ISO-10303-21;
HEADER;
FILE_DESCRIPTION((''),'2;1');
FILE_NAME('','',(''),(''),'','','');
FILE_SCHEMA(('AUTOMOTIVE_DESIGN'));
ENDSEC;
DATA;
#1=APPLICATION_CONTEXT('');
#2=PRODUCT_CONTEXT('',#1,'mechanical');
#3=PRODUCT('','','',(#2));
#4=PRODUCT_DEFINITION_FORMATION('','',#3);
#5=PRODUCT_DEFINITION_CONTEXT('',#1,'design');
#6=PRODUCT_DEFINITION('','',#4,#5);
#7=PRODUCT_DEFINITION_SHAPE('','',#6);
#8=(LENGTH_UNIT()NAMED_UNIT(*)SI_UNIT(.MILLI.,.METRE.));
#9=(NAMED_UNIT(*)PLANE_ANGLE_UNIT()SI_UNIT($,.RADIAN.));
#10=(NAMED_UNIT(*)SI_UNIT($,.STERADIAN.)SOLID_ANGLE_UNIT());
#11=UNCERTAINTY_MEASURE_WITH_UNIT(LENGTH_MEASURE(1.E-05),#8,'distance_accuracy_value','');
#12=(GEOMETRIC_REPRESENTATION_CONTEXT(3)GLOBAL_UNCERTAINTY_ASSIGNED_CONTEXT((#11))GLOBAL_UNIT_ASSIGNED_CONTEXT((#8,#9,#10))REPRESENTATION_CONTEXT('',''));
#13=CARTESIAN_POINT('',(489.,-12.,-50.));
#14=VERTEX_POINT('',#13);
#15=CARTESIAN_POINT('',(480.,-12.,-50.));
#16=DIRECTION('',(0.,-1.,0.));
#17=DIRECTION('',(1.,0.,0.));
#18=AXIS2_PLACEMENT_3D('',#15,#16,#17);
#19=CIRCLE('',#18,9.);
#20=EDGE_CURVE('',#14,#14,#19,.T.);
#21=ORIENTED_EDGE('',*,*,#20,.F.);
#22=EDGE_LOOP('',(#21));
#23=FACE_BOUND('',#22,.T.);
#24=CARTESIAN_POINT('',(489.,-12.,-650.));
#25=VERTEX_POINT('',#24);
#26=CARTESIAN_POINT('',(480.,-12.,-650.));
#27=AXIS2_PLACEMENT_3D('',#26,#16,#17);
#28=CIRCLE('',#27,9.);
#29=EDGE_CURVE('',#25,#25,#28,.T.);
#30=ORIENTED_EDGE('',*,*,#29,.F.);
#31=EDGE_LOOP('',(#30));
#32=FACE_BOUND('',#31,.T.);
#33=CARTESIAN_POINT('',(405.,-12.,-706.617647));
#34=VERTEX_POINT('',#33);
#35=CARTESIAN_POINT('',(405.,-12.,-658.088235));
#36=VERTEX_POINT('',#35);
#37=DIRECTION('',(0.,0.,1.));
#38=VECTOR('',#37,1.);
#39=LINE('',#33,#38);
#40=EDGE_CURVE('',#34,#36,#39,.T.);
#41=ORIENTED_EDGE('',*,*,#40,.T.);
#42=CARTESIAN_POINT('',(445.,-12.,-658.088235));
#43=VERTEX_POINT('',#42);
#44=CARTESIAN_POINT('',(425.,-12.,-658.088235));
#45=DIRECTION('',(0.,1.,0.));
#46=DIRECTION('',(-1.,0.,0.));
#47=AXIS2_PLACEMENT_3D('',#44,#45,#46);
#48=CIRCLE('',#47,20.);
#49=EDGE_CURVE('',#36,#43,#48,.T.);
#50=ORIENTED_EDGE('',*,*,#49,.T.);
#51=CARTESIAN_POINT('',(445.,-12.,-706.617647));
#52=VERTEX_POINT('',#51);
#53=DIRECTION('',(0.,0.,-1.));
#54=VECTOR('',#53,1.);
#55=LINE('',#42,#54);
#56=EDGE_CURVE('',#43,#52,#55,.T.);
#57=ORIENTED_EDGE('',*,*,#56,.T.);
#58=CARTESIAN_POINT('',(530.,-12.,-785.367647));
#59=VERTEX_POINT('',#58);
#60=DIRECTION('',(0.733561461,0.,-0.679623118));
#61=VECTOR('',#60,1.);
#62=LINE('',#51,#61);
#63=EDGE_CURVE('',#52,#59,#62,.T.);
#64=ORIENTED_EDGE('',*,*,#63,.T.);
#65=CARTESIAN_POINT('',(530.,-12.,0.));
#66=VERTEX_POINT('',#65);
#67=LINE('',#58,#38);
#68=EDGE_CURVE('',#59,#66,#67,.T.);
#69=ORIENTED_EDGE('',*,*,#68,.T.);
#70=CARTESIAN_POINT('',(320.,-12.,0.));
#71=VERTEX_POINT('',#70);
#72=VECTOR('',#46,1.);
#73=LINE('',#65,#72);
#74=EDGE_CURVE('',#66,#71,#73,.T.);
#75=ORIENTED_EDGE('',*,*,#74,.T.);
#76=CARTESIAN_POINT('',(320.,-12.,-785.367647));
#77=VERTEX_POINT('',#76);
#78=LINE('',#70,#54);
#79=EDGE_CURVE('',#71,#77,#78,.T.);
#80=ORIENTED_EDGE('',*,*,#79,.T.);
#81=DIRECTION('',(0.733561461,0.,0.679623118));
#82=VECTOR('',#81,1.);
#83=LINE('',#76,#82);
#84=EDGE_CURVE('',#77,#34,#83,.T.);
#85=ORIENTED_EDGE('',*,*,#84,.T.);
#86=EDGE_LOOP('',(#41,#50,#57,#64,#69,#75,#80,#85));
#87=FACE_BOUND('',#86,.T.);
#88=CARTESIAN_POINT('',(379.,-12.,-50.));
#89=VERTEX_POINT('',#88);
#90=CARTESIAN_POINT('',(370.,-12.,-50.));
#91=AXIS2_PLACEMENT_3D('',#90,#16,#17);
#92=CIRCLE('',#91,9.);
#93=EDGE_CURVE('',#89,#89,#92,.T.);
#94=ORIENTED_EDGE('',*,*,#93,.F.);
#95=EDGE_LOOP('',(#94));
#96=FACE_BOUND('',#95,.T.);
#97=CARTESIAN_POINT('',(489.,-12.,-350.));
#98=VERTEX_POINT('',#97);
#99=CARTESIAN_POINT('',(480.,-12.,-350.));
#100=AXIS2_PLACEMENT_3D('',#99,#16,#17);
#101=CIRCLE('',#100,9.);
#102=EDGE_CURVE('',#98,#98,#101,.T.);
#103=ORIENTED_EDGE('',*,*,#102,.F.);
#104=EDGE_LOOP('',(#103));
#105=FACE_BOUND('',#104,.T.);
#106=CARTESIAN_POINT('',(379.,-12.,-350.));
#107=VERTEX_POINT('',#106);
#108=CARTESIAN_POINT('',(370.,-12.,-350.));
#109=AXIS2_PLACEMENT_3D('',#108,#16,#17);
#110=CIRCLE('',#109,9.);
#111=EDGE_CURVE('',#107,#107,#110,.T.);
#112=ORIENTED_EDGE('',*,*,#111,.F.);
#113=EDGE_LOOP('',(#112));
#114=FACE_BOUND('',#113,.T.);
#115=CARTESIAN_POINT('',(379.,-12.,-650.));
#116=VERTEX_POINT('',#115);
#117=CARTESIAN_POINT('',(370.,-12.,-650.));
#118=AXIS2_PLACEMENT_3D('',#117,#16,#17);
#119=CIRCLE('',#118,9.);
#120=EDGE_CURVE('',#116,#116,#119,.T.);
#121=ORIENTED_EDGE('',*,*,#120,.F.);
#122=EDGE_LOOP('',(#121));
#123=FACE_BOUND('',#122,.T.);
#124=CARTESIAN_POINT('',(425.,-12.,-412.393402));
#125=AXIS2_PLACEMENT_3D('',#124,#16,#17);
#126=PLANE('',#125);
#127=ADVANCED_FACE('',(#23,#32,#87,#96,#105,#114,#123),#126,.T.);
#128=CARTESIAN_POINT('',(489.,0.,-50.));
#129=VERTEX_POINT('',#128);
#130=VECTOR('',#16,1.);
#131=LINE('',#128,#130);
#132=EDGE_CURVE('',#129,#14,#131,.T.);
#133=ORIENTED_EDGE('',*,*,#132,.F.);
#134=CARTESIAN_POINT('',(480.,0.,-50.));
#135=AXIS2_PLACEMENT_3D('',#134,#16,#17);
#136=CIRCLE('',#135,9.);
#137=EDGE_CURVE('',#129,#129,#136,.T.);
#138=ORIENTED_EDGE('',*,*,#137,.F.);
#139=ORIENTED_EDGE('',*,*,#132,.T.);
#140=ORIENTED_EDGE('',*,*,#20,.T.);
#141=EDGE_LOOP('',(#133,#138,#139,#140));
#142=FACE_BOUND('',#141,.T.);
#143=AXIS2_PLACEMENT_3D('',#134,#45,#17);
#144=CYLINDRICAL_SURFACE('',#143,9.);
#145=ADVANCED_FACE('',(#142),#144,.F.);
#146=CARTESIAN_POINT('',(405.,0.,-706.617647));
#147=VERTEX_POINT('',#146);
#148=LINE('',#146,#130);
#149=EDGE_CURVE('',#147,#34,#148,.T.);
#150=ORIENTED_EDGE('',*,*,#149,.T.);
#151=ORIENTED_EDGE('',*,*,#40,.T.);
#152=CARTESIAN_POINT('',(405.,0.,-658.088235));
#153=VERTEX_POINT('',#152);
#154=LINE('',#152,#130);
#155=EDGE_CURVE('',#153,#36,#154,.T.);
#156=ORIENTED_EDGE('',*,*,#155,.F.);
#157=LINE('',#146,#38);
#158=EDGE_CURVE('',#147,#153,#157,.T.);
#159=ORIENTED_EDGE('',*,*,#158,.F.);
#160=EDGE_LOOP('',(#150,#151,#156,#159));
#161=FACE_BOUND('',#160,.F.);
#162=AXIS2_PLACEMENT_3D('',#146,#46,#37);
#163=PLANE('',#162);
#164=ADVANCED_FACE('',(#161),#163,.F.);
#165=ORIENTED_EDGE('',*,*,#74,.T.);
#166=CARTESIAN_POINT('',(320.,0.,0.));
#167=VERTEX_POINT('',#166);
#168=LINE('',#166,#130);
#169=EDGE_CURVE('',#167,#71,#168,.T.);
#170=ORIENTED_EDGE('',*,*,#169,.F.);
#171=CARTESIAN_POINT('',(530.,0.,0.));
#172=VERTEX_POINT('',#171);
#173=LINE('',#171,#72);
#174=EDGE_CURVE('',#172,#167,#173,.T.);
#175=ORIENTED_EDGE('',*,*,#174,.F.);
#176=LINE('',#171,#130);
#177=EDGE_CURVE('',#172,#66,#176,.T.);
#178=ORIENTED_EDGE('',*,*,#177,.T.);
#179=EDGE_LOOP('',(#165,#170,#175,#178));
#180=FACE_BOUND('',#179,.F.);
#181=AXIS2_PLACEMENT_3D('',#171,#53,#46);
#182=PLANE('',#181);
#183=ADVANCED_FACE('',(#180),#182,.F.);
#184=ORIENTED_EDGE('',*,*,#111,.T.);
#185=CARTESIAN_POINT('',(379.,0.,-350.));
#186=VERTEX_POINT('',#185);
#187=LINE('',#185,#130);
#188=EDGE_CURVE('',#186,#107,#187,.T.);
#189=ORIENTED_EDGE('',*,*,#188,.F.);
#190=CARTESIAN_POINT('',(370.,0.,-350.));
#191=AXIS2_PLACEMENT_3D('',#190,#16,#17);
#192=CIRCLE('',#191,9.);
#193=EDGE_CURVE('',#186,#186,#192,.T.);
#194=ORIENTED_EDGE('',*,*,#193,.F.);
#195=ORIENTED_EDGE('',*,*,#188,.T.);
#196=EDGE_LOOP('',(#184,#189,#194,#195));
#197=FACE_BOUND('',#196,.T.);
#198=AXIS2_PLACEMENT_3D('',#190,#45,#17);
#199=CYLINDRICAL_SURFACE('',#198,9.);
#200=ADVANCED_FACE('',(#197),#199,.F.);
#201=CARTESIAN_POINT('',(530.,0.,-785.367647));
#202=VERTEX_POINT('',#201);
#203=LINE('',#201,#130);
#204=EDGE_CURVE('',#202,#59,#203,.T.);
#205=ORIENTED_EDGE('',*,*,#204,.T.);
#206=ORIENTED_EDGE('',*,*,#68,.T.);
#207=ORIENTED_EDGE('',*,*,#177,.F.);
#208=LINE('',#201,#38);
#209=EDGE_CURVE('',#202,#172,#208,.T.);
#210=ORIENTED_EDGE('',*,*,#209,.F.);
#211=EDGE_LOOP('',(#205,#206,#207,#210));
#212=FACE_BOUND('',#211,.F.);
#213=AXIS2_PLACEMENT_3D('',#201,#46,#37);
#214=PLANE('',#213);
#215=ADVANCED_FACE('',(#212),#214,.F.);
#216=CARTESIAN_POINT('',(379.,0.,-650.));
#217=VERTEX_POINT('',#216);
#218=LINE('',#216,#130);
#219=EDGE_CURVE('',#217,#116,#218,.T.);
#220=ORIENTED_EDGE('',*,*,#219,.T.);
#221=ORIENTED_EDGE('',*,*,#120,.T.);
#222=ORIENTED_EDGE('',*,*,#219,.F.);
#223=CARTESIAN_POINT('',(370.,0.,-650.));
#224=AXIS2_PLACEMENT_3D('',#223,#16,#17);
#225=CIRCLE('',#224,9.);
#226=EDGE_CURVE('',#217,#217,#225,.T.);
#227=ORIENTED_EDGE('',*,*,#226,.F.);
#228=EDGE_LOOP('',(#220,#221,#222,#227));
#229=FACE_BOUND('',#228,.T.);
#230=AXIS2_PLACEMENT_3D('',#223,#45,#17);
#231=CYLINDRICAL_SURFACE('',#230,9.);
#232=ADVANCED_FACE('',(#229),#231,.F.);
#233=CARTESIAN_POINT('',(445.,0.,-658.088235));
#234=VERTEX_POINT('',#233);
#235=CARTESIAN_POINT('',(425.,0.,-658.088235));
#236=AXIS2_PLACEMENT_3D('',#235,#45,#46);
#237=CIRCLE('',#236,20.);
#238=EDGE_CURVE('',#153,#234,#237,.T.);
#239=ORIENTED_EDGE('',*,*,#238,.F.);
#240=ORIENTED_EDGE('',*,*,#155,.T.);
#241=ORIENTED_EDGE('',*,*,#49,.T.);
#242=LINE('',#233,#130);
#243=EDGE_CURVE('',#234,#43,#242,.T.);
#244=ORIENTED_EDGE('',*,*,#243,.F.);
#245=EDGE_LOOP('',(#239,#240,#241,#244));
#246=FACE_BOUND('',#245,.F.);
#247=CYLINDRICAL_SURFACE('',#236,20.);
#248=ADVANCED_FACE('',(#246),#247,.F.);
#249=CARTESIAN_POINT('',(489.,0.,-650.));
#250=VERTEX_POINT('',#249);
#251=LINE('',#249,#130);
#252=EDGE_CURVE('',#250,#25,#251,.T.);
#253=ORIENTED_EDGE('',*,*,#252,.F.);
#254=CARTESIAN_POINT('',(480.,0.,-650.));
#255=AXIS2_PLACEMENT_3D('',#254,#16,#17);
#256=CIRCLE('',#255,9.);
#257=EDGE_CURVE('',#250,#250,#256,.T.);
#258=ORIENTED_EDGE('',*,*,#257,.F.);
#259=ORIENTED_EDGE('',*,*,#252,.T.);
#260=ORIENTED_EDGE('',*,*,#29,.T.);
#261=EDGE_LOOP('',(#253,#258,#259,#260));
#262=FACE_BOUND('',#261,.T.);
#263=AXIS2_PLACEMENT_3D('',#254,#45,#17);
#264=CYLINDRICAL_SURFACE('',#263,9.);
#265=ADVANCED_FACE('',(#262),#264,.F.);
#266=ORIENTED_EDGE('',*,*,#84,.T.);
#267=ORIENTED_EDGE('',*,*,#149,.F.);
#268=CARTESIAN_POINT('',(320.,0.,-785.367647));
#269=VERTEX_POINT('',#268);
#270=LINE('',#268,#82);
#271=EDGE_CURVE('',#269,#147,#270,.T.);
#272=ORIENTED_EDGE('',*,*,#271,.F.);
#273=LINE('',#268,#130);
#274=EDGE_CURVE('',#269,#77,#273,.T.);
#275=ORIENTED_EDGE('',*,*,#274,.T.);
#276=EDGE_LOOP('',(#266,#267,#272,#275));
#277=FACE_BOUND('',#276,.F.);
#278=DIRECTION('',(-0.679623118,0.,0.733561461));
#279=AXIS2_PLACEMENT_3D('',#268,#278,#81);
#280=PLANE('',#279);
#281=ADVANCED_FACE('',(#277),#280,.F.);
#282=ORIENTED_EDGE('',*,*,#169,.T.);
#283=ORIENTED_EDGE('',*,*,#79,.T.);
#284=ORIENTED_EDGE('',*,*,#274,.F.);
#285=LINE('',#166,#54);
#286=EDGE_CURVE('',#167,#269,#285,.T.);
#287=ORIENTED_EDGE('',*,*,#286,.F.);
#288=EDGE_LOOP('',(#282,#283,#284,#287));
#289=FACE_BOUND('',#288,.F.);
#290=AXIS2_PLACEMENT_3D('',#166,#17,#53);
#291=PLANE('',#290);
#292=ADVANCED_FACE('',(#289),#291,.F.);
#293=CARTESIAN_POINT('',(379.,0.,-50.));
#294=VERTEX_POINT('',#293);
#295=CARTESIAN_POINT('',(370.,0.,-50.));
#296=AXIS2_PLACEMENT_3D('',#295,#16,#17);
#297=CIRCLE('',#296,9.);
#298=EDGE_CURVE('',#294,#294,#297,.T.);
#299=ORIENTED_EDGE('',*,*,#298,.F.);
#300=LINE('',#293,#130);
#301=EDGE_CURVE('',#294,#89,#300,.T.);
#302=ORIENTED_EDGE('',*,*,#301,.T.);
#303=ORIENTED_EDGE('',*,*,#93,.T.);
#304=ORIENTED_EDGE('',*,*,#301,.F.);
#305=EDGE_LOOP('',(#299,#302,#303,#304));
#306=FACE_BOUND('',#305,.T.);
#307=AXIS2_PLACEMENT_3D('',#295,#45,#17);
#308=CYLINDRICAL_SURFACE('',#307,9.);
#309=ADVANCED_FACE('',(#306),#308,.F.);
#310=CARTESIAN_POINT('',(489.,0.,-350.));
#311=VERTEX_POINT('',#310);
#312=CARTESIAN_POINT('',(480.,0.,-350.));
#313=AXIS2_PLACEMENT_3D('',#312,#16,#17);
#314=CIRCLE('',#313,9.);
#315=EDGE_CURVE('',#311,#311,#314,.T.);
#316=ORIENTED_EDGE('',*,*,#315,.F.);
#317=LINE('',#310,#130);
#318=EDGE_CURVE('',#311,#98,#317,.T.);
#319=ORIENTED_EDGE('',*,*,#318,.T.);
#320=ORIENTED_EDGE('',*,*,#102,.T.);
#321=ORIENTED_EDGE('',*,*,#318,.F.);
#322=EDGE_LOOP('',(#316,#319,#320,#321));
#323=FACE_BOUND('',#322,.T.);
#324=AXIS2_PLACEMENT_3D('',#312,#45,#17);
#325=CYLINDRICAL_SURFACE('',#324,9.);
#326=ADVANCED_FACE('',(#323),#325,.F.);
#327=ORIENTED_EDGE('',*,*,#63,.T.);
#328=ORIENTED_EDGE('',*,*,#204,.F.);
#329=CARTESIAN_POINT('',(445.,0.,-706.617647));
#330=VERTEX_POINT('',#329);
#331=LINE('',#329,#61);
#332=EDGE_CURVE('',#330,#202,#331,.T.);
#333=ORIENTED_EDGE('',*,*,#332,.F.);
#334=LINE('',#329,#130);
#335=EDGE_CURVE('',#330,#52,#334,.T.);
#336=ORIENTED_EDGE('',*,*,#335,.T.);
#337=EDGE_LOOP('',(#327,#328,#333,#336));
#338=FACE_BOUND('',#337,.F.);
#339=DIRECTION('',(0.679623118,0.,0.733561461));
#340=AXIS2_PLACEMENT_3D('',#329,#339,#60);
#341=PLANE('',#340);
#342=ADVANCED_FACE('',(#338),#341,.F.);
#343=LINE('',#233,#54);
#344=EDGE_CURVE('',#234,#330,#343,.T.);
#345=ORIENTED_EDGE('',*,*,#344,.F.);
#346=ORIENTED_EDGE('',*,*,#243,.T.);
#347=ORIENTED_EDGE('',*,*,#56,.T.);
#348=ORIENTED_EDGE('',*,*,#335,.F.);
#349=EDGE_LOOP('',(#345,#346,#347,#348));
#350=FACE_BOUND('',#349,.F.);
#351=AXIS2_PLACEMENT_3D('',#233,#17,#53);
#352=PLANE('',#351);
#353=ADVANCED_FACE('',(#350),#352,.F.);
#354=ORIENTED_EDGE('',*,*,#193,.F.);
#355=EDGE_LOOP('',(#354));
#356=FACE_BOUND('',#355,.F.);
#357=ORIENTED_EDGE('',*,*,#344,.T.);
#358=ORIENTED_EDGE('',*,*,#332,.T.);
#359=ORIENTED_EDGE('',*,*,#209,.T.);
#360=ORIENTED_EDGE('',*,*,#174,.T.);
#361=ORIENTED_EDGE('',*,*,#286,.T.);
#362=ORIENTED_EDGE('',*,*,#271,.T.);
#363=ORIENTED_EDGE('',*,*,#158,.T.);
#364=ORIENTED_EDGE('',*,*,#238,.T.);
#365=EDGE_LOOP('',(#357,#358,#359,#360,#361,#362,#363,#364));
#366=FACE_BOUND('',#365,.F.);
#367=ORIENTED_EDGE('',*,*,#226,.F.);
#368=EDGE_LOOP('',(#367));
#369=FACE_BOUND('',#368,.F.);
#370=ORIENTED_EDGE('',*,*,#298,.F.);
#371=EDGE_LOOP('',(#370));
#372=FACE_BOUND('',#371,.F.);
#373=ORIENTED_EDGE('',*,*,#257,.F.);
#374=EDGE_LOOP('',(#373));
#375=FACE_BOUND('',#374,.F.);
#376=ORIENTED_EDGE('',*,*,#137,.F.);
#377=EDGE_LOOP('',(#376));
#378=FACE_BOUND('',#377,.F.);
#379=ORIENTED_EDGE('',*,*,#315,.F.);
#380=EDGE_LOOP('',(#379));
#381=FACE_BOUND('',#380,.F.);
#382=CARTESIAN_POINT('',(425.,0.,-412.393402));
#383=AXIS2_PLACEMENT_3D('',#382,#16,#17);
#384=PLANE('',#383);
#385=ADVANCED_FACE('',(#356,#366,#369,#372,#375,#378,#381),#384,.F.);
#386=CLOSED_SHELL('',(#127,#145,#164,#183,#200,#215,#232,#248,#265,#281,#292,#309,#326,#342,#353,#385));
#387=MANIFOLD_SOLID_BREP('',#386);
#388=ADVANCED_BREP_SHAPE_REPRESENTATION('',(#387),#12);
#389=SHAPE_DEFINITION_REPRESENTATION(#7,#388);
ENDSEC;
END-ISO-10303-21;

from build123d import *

# Parameters (mm, degrees)
F0_R     = 9
F1_DEPTH = 12


with BuildPart() as f1:
    # F0 (on Front) → F1 (new body)
    with BuildSketch(Plane.XZ):
        with BuildLine():
            Line((530, 0), (320, 0))
            Line((320, 0), (320, -785.367647))
            Line((320, -785.367647), (405, -706.617647))
            Line((405, -706.617647), (405, -658.088235))
            ThreePointArc((405, -658.088235), (425, -638.088235), (445, -658.088235))
            Line((445, -658.088235), (445, -706.617647))
            Line((445, -706.617647), (530, -785.367647))
            Line((530, -785.367647), (530, 0))
        make_face()
        with Locations((370, -650)):
            Circle(F0_R, mode=Mode.SUBTRACT)
        with Locations((480, -650)):
            Circle(F0_R, mode=Mode.SUBTRACT)
        with Locations((370, -350)):
            Circle(F0_R, mode=Mode.SUBTRACT)
        with Locations((370, -50)):
            Circle(F0_R, mode=Mode.SUBTRACT)
        with Locations((480, -350)):
            Circle(F0_R, mode=Mode.SUBTRACT)
        with Locations((480, -50)):
            Circle(F0_R, mode=Mode.SUBTRACT)
    extrude(amount=F1_DEPTH)


solid = f1.part
